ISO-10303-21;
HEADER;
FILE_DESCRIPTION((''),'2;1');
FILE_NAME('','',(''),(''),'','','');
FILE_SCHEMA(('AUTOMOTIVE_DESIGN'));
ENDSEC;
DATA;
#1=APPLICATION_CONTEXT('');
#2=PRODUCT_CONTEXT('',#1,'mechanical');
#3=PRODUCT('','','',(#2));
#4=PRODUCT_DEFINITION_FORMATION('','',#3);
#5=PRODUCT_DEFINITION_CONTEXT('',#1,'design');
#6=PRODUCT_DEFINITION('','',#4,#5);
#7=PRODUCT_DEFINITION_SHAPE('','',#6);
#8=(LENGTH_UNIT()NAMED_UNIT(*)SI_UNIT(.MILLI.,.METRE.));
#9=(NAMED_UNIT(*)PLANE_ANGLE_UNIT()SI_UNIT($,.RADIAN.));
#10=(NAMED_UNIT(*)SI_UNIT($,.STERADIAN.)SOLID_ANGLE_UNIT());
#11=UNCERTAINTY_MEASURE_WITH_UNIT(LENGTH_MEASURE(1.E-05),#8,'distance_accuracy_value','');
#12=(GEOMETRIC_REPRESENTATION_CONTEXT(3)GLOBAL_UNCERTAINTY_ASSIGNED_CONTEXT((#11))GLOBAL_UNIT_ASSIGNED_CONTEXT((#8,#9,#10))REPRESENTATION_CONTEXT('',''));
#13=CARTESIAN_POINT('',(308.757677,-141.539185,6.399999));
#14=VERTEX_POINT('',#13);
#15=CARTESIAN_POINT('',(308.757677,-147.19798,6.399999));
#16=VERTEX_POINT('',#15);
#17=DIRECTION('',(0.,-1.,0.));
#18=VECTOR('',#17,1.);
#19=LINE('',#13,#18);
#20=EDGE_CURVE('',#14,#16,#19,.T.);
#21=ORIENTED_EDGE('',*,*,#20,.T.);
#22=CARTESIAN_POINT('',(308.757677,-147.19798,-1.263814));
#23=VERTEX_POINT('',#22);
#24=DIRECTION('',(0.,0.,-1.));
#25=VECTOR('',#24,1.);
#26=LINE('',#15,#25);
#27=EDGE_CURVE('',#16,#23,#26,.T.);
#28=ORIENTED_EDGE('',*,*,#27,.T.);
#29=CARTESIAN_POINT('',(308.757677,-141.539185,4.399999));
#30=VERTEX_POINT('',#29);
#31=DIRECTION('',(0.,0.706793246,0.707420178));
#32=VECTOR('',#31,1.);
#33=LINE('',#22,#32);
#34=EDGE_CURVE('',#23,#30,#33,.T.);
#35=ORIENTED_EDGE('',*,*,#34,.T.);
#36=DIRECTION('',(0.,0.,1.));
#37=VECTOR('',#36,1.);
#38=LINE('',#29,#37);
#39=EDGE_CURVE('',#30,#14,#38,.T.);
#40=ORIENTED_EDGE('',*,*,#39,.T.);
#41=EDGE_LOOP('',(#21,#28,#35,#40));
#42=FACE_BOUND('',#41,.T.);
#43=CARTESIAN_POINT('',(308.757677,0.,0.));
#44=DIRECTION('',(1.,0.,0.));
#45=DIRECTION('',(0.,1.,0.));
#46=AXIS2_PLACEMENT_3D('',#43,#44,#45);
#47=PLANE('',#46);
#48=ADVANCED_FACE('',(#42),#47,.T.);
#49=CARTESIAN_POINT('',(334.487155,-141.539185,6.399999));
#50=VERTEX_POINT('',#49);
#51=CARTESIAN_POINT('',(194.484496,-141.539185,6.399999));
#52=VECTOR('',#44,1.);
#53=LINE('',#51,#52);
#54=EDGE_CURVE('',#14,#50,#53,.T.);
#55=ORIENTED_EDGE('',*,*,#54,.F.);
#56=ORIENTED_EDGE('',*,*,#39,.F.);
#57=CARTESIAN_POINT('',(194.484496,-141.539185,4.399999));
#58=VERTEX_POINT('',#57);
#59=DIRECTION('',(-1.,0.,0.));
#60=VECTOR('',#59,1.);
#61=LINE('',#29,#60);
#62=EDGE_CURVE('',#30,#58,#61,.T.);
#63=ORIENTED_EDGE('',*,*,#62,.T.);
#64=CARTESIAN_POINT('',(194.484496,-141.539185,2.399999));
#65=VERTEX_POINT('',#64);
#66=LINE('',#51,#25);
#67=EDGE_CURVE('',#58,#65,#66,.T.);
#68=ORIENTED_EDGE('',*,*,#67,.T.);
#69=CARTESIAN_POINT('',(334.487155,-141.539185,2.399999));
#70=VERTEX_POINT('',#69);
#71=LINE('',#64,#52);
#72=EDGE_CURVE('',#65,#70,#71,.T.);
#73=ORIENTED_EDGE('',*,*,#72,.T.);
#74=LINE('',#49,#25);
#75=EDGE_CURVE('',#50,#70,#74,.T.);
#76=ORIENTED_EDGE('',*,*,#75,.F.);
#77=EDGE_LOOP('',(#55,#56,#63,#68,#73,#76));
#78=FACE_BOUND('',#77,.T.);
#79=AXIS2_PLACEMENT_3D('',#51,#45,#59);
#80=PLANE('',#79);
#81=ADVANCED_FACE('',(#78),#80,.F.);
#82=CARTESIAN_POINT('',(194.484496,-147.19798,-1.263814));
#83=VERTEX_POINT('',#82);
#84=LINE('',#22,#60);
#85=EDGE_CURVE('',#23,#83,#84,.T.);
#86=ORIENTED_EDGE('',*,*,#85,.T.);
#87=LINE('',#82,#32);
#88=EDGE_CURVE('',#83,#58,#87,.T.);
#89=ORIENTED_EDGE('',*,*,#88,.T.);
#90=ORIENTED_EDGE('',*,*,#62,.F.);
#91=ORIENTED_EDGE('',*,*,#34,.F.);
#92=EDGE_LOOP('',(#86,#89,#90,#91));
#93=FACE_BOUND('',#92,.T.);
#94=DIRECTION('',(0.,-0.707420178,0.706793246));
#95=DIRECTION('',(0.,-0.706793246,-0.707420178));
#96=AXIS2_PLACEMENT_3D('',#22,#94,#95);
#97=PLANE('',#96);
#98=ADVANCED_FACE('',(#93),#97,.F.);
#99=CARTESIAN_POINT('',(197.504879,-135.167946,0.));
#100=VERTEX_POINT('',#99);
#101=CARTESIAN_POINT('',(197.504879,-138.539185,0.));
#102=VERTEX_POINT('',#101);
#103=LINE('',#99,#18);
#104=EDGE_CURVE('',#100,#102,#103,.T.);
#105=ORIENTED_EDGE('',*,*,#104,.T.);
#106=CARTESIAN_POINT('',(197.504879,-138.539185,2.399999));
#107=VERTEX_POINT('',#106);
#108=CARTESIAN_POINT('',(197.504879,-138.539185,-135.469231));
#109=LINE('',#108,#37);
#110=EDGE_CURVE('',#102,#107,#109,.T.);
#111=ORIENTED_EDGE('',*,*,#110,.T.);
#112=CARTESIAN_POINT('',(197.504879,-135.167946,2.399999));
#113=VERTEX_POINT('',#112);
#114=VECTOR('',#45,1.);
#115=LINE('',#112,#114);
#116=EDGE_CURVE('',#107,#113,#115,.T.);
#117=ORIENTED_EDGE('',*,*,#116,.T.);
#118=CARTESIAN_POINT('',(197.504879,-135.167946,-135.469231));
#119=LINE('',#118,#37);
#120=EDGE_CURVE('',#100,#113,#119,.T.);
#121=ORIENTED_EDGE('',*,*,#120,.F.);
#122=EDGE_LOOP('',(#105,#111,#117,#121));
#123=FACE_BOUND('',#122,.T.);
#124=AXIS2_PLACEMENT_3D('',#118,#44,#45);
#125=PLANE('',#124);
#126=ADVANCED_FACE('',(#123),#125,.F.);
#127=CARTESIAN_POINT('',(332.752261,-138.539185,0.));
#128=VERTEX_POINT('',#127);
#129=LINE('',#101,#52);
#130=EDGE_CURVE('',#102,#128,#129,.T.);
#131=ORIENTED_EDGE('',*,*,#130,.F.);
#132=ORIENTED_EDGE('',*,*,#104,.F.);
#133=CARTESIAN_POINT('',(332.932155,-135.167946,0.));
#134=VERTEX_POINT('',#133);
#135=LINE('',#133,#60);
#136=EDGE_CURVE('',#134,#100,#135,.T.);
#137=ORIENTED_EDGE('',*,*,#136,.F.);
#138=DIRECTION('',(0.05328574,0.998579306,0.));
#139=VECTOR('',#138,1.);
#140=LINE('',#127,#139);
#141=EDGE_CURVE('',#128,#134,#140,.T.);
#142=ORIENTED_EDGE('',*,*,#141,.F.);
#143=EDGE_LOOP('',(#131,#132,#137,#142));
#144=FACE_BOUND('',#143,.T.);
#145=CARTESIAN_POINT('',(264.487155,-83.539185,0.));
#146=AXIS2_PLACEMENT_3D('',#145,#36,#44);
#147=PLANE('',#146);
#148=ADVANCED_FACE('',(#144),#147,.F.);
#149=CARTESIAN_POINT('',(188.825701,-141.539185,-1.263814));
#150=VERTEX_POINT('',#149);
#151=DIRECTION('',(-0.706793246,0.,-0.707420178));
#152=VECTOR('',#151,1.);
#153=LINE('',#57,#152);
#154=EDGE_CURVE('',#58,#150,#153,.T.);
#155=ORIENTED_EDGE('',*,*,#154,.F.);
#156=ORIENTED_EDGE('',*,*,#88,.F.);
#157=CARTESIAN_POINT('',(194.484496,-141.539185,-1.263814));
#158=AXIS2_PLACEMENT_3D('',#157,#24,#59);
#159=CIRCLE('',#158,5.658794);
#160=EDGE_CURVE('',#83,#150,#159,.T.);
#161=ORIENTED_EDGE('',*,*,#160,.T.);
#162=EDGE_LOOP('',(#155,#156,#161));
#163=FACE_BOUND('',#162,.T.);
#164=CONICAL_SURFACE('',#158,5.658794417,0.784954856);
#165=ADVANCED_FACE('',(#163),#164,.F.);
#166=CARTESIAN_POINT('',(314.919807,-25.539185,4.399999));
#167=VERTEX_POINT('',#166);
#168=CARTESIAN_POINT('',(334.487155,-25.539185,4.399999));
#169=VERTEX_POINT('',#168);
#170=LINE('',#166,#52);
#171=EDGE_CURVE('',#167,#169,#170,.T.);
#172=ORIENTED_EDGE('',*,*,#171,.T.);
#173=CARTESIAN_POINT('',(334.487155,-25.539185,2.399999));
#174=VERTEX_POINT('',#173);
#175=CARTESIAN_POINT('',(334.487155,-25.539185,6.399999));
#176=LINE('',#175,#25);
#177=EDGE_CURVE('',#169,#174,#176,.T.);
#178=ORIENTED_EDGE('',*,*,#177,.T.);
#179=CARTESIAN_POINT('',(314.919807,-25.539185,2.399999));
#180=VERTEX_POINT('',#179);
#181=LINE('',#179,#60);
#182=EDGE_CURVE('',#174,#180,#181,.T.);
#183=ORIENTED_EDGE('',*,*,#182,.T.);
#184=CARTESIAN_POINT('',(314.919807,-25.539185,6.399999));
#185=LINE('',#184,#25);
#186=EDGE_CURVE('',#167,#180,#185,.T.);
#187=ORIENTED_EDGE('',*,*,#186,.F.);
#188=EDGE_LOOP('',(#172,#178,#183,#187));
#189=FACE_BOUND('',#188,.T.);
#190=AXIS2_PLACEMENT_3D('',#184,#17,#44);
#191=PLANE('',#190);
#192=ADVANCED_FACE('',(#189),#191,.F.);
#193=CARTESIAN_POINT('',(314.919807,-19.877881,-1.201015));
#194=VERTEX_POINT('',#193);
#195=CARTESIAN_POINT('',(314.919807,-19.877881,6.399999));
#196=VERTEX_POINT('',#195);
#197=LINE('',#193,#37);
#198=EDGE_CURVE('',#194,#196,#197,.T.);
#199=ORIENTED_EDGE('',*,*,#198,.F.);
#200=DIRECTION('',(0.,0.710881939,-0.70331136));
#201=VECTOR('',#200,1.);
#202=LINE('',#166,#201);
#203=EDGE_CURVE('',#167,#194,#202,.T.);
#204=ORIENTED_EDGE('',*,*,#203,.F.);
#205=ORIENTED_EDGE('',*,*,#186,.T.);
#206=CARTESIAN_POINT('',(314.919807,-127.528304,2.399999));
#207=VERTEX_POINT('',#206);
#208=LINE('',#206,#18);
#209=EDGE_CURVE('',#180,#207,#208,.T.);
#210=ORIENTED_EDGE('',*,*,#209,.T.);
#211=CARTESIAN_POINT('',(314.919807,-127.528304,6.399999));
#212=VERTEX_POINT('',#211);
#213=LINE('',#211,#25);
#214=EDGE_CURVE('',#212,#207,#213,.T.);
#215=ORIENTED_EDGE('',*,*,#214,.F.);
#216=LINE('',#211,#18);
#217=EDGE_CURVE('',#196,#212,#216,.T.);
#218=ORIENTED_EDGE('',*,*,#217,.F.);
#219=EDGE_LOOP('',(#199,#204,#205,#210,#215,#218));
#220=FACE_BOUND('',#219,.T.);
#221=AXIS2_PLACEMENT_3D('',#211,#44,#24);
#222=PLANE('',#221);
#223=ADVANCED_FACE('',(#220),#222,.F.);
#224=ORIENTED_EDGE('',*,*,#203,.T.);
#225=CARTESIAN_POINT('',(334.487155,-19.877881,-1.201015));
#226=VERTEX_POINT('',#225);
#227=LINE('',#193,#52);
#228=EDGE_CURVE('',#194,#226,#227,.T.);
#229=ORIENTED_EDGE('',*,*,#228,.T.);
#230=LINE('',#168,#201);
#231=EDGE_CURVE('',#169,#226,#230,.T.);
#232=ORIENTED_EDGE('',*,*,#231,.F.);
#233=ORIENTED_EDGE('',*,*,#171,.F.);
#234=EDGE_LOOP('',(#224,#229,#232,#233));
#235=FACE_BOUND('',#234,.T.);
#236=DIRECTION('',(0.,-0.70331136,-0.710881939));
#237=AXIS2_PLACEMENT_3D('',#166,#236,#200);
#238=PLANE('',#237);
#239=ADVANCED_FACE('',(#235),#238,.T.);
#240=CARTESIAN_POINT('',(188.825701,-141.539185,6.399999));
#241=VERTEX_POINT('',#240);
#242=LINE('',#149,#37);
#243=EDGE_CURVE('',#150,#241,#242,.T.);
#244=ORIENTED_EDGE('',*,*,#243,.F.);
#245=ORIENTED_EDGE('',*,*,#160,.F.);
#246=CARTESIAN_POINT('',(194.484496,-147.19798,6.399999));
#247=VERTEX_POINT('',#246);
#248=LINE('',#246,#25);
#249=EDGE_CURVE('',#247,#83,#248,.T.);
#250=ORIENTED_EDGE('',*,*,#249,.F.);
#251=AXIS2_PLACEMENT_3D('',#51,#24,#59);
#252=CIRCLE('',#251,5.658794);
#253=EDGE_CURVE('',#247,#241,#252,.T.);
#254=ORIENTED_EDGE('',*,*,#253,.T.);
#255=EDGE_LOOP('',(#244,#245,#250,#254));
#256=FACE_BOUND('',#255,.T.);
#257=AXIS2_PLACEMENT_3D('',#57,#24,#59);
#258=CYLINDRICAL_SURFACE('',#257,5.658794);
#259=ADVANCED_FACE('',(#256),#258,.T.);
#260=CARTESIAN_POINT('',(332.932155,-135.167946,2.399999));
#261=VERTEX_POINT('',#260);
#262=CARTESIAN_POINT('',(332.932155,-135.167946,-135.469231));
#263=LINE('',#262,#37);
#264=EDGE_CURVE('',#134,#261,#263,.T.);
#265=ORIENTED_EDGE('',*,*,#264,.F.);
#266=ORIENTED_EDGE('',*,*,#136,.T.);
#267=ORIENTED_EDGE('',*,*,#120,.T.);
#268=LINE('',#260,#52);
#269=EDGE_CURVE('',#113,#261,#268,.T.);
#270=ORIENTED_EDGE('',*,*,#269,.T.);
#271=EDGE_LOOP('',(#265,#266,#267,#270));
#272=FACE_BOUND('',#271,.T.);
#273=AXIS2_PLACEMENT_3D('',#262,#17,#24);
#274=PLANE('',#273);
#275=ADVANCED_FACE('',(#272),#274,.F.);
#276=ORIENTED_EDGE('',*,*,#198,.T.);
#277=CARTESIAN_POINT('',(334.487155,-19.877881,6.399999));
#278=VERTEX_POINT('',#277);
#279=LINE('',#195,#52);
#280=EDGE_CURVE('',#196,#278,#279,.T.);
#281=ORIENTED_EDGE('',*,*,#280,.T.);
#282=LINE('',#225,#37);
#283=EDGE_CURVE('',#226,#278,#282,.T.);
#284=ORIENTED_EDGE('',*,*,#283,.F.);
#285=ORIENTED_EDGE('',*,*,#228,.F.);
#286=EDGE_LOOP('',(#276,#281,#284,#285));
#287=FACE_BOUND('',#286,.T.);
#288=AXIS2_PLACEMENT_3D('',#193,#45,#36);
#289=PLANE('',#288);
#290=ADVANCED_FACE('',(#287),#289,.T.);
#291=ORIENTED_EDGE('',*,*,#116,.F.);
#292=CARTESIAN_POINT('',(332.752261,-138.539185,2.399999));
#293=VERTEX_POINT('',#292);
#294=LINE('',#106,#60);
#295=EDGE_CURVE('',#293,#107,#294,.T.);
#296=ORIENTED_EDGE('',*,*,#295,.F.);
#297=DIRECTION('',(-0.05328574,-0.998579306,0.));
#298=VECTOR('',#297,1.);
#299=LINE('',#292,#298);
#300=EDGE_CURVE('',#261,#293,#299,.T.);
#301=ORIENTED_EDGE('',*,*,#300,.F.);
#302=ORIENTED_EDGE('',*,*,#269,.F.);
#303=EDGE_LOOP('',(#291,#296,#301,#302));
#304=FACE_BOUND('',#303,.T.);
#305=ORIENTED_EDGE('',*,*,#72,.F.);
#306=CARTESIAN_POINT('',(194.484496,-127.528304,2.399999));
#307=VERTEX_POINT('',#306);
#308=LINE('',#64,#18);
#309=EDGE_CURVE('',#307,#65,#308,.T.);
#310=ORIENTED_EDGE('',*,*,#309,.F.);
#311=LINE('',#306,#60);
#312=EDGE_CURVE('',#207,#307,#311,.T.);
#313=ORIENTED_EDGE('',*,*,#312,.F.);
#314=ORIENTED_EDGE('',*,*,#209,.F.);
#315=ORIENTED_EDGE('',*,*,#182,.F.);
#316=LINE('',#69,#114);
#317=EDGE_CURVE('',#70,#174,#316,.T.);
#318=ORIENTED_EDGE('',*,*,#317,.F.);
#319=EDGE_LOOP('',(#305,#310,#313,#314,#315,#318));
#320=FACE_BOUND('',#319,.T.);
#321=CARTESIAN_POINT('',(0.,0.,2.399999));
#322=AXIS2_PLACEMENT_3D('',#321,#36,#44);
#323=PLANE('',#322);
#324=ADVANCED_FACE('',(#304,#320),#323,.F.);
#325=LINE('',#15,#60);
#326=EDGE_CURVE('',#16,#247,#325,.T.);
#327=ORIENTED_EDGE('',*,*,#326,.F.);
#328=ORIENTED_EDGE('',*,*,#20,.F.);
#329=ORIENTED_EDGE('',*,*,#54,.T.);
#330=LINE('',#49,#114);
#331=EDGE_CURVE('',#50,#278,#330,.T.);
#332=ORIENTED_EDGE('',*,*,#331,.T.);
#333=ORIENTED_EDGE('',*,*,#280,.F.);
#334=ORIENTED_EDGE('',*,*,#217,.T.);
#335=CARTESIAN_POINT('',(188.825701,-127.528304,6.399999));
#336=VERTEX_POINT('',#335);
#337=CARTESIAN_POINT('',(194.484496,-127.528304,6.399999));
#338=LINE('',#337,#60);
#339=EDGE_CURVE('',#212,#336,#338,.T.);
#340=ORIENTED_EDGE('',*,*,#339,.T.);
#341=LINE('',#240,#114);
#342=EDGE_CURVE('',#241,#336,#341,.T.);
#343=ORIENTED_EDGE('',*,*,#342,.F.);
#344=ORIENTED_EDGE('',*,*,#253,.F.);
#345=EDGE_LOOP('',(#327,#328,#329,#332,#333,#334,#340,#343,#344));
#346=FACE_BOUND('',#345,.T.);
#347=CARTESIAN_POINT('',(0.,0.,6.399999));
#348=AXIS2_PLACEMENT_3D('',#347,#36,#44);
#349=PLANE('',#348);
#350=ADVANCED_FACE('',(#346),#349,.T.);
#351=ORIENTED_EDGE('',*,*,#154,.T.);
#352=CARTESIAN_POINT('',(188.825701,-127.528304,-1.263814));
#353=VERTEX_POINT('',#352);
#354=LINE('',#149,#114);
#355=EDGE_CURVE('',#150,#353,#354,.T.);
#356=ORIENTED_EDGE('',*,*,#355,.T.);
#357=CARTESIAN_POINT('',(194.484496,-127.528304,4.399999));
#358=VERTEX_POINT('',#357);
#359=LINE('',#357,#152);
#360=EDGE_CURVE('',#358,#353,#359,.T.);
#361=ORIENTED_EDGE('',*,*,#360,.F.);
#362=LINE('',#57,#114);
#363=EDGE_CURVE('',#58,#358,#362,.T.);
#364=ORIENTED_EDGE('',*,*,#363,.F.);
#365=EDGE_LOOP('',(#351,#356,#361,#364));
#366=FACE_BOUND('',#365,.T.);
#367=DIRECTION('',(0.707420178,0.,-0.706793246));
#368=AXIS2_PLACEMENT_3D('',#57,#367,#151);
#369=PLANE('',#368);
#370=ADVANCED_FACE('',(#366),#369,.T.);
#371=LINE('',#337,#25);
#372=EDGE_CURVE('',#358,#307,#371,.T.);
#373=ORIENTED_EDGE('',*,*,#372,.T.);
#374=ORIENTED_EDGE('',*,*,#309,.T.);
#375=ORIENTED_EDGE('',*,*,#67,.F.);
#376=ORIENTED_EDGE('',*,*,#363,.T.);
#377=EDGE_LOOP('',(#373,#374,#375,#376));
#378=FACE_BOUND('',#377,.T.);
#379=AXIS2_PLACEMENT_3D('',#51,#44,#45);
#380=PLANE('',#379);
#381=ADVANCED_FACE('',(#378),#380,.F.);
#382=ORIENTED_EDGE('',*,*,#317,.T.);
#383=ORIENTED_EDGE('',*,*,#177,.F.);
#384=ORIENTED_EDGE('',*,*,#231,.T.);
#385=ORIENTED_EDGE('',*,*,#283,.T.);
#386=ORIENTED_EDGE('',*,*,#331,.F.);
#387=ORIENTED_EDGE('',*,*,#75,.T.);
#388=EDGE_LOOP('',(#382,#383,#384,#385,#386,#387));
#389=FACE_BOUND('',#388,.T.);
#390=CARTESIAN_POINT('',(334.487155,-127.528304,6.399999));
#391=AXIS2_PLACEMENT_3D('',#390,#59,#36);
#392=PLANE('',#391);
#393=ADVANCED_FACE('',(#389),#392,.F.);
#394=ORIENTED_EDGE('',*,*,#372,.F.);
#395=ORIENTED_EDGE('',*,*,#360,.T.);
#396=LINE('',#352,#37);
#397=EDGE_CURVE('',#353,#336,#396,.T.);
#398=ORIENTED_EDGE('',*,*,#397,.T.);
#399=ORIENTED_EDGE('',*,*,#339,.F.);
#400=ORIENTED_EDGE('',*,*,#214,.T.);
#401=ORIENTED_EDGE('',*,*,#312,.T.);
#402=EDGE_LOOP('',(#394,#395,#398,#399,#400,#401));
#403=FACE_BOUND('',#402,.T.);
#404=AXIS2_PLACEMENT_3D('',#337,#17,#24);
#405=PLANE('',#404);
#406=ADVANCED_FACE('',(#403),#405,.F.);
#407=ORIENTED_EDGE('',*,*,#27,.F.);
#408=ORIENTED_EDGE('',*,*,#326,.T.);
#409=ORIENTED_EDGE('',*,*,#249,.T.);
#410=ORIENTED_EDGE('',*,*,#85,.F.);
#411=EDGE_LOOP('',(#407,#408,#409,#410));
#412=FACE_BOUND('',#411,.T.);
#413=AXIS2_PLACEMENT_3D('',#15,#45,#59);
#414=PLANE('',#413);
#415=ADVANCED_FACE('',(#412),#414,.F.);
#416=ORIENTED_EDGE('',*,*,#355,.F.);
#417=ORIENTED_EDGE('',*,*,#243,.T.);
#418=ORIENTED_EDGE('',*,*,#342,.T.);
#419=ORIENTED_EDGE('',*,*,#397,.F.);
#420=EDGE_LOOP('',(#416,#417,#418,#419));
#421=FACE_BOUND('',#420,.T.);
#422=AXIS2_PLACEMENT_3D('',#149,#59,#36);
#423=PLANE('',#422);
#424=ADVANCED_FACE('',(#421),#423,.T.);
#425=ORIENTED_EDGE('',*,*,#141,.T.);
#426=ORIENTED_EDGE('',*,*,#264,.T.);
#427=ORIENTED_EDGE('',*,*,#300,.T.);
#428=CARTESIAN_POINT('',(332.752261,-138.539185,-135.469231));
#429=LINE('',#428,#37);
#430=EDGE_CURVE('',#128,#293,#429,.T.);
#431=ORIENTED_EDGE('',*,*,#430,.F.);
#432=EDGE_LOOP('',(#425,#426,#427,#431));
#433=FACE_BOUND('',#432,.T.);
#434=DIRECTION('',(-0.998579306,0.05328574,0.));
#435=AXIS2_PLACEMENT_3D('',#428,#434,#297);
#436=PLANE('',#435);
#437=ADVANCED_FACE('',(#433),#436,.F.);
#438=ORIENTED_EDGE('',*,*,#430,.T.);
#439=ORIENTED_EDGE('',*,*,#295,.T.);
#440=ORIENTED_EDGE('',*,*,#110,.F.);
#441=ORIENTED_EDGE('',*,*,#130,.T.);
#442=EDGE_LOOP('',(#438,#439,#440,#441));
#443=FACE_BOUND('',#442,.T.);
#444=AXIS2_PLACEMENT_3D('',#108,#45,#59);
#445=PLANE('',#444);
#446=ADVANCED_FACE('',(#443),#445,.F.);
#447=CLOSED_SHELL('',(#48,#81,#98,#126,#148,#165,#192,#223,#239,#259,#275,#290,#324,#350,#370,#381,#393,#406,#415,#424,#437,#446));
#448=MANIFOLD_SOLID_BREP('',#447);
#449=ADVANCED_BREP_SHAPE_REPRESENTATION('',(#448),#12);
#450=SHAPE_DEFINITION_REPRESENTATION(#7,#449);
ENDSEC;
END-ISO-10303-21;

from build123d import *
from build123d.topology import SkipClean

# Parameters (mm, degrees)
BOSS_EXTRUDE1_START = 24.318234
BOSS_EXTRUDE1_DEPTH = 4
BOSS_EXTRUDE2_DEPTH = 14.010881
REVOLVE1_ANGLE      = 90
BOSS_EXTRUDE3_DEPTH = 114.273182
BOSS_EXTRUDE4_DEPTH = 19.567345
BOSS_EXTRUDE5_DEPTH = 2.39999941


with BuildPart() as part:
    # Sketch4 → Boss-Extrude1 (new body)
    with BuildSketch(Plane.XY.offset(-21.918234102).offset(BOSS_EXTRUDE1_START)):
        Polygon((194.484495585, -141.539185417), (194.484495585, -127.528304219), (314.919807208, -127.528304219), (314.919807208, -25.539185417), (334.487155432, -25.539185417), (334.487155432, -127.528304219), (334.487155432, -141.539185417), align=None)
    extrude(amount=BOSS_EXTRUDE1_DEPTH)

    # Sketch5 → Boss-Extrude2 (add)
    with SkipClean():  # the faces are left unmerged after this step: merging them gives an invalid solid
        with BuildSketch(Plane(origin=(0, -127.528304219, 0), x_dir=(1, 0, 0), z_dir=(0, 1, 0))):
            Polygon((194.484495585, -4.39999941), (188.825701169, 1.263814406), (188.825701169, -6.39999941), (194.484495585, -6.39999941), align=None)
        extrude(amount=-BOSS_EXTRUDE2_DEPTH)

    # Sketch6 → Revolve1 (revolve)
    with BuildSketch(Plane.XZ.offset(141.539185417)):
        Polygon((188.825701169, -1.263814406), (194.484495585, 4.39999941), (194.484495585, 6.39999941), (188.825701169, 6.39999941), align=None)
    revolve(axis=Axis((194.484495585, -141.539185417, 4.39999941), (0, 0, 1)), revolution_arc=REVOLVE1_ANGLE)

    # Sketch7 → Boss-Extrude3 (add)
    with BuildSketch(Plane(origin=(194.484495585, 0, 0), x_dir=(0, 0, -1), z_dir=(1, 0, 0))):
        Polygon((-6.39999941, -147.197979834), (1.263814406, -147.197979834), (-4.39999941, -141.539185417), (-6.39999941, -141.539185417), align=None)
    extrude(amount=BOSS_EXTRUDE3_DEPTH)

    # Sketch9 → Boss-Extrude4 (add)
    with BuildSketch(Plane(origin=(334.487155432, 0, 0), x_dir=(0, 0, -1), z_dir=(1, 0, 0))):
        Polygon((-4.39999941, -25.539185417), (1.201014861, -19.877880744), (-6.39999941, -19.877880744), (-6.39999941, -25.539185417), align=None)
    extrude(amount=-BOSS_EXTRUDE4_DEPTH)


with BuildPart() as boss_extrude5_tool:
    # Sketch11 → Boss-Extrude5 (new body)
    with BuildSketch(Plane(origin=(0, 0, 2.39999941), x_dir=(-1, 0, 0), z_dir=(0, 0, -1))):
        Polygon((-197.504878741, -135.167945919), (-197.504878741, -138.539185417), (-332.752260863, -138.539185417), (-332.932155432, -135.167945919), align=None)
    extrude(amount=BOSS_EXTRUDE5_DEPTH)


with BuildPart() as part_1:
    add(part.part)


with BuildPart() as part_2:
    # Boss-Extrude5: joined with boss_extrude5_tool
    add(part_1.part.fuse(boss_extrude5_tool.part, tol=0.00001))


solid = part_2.part
